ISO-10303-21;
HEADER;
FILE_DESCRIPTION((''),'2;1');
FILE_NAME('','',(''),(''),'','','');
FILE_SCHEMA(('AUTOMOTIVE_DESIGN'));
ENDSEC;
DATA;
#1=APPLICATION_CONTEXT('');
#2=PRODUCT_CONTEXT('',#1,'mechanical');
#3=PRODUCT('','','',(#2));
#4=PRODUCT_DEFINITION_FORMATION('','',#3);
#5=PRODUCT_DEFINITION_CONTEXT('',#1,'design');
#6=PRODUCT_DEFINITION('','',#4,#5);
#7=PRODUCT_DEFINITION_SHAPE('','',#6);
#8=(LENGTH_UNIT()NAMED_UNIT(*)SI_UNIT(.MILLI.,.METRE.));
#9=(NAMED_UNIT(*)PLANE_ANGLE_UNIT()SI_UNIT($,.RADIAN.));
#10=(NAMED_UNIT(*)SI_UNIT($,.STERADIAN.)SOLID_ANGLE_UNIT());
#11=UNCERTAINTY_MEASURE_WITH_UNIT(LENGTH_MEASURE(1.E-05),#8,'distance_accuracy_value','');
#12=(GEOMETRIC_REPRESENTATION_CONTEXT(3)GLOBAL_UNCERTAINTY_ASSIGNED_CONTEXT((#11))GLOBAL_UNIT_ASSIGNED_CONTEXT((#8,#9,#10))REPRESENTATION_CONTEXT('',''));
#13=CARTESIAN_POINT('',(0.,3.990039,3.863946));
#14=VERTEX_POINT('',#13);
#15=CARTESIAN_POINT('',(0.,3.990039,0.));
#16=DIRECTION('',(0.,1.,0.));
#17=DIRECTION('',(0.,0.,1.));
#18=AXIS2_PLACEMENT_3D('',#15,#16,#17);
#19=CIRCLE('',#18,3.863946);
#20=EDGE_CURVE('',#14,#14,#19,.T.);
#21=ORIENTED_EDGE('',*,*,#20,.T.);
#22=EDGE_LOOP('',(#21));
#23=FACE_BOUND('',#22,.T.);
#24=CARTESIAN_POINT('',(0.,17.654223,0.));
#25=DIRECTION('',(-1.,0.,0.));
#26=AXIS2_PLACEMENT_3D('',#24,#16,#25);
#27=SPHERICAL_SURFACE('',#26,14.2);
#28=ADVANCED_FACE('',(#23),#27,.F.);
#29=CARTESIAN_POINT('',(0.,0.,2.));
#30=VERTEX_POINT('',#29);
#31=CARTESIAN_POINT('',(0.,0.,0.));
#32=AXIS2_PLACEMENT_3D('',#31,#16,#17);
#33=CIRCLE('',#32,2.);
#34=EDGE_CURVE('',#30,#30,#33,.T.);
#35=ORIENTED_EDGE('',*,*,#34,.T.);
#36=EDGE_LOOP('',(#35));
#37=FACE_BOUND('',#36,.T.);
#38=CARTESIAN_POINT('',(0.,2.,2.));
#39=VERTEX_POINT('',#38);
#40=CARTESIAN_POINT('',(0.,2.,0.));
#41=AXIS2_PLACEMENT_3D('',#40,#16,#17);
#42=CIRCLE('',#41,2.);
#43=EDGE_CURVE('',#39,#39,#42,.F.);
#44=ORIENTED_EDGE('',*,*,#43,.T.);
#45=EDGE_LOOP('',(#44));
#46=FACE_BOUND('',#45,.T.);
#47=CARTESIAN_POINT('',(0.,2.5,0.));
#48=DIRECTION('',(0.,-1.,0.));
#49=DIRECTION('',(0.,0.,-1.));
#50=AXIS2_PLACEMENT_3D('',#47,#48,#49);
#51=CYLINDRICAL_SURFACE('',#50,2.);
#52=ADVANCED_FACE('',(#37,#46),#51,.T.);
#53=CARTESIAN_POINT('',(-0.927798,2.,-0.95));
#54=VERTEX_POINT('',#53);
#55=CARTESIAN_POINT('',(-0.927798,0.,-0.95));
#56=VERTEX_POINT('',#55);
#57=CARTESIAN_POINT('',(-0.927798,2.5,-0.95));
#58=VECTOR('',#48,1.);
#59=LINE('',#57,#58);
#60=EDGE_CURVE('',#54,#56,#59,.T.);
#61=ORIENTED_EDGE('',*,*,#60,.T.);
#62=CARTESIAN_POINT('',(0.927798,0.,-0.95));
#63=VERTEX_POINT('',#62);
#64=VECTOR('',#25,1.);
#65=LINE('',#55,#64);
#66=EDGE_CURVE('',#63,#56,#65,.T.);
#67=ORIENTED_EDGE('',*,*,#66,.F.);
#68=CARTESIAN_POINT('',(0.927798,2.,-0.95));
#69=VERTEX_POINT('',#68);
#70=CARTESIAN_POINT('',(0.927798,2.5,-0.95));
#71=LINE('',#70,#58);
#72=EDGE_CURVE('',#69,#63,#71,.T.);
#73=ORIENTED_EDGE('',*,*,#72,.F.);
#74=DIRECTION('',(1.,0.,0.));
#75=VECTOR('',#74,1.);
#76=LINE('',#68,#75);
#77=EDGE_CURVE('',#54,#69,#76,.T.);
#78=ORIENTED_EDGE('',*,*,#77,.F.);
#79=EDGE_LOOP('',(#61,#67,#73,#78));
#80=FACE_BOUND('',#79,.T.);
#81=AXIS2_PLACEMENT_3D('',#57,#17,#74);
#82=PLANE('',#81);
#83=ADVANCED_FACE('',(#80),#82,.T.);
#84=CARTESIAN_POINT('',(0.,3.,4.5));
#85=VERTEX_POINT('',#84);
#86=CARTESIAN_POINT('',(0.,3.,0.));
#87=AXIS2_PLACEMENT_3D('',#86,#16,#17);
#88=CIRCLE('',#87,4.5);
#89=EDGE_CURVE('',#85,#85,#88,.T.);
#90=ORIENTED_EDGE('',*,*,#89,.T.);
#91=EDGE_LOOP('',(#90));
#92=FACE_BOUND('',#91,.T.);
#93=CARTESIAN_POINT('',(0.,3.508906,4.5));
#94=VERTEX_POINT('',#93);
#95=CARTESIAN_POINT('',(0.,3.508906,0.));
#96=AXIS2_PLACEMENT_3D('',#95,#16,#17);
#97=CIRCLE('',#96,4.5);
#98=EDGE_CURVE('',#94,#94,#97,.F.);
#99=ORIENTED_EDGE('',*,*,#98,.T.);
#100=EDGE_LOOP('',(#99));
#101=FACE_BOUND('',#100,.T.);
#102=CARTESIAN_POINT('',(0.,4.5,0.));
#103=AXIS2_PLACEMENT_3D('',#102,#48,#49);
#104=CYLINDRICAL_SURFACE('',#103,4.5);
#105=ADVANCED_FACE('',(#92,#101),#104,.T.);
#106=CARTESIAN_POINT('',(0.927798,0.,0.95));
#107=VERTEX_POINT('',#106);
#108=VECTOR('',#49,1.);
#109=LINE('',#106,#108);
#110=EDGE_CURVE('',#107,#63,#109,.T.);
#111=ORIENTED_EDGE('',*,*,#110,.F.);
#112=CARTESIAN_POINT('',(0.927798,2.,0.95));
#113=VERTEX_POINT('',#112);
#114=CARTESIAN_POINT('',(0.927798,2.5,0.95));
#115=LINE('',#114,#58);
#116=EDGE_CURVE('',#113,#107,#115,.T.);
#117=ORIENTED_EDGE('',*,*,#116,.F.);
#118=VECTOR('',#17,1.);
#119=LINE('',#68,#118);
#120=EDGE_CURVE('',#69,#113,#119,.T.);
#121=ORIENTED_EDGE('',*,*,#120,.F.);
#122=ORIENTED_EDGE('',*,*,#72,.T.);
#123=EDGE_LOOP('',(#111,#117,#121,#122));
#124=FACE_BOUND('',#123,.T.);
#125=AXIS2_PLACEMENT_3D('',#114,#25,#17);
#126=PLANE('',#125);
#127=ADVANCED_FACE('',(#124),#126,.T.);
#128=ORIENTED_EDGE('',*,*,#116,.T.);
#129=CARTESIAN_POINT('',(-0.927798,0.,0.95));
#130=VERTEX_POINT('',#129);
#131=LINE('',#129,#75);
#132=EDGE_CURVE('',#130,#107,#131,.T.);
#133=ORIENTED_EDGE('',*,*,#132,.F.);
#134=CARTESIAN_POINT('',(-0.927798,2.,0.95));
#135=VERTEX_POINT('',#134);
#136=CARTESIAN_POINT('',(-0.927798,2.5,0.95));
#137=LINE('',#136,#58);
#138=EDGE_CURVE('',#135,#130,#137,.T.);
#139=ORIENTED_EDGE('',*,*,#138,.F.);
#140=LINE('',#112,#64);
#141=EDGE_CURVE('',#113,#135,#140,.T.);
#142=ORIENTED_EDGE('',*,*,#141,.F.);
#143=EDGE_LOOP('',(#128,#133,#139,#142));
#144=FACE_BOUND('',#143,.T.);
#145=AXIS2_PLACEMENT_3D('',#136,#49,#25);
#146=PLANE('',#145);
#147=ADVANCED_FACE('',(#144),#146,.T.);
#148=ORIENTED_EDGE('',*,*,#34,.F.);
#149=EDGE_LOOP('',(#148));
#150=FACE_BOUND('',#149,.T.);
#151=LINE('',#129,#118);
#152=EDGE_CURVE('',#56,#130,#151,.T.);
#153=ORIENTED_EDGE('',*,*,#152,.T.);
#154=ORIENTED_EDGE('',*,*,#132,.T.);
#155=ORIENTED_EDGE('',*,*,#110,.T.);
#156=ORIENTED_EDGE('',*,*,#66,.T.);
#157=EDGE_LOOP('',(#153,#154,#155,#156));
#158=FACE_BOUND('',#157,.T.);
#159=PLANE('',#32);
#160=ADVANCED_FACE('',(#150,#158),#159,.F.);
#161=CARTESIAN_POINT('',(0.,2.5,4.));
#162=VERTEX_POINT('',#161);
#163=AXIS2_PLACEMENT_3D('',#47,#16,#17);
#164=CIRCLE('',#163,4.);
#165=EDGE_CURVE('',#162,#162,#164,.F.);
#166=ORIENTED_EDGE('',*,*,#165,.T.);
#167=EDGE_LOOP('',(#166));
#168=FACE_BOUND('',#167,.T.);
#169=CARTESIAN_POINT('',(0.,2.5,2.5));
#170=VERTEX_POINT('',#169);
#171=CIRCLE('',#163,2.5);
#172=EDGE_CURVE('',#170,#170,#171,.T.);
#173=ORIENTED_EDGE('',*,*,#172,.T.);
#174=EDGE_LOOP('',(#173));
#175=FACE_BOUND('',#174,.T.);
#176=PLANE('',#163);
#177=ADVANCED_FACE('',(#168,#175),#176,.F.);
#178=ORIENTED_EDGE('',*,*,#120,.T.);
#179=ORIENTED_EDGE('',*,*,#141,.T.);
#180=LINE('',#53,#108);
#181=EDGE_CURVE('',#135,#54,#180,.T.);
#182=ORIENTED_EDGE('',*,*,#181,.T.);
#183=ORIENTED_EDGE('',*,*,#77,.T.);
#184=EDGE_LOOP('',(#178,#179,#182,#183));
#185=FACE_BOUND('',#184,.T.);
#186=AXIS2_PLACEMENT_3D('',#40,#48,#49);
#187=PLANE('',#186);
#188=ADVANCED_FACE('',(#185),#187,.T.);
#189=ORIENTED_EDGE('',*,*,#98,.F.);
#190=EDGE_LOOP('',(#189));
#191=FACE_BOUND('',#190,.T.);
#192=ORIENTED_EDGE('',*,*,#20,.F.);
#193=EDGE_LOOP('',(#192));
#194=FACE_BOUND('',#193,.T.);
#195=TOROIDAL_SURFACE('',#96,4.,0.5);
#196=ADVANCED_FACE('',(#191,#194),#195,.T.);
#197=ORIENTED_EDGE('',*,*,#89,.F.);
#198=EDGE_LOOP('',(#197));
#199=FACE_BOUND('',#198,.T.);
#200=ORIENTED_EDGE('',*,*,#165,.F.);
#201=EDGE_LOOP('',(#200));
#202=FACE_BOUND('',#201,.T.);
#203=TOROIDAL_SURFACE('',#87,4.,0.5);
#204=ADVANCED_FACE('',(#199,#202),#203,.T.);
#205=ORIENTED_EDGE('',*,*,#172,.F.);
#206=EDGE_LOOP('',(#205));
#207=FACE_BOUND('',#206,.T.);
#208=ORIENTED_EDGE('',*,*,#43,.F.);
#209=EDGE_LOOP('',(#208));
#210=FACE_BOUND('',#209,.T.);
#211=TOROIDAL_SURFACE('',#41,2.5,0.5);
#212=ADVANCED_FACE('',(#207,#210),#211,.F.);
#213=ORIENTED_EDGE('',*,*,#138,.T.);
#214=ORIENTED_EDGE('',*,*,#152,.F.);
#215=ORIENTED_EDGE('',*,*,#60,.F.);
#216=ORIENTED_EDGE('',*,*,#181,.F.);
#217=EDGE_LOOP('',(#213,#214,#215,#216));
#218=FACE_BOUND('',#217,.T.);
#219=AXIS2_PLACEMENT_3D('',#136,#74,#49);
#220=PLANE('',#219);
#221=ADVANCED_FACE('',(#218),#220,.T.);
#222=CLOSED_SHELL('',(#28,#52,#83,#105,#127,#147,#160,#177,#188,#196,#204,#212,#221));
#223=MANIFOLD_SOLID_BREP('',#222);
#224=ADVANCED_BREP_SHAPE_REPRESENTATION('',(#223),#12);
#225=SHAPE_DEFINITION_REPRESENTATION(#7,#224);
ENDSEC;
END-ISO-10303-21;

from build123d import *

# Parameters (mm, degrees)
SKETCH_1_R      = 2
SKETCH_1_W      = 1.855595784
SKETCH_1_H      = 1.9
EXTRUDE_1_DEPTH = 2.5
SKETCH_2_R      = 4.5
EXTRUDE_2_DEPTH = 2
FILLET_2_R      = 0.5
SKETCH_4_W      = 1.855595784
SKETCH_4_H      = 1.9
EXTRUDE_3_DEPTH = 0.5


with BuildPart() as part:
    # 草图1 → 凸台-拉伸1 (new body)
    with BuildSketch(Plane(origin=(0, 0, 0), x_dir=(1, 0, 0), z_dir=(0, 1, 0))):
        with Locations(Location((0, 0, 0), (0, 0, 270))):
            Circle(SKETCH_1_R)
        Rectangle(SKETCH_1_W, SKETCH_1_H, mode=Mode.SUBTRACT)
    extrude(amount=EXTRUDE_1_DEPTH)

    # 草图2 → 凸台-拉伸2 (add)
    with BuildSketch(Plane(origin=(0, 2.5, 0), x_dir=(1, 0, 0), z_dir=(0, 1, 0))):
        with Locations(Location((0, 0, 0), (0, 0, 270))):
            Circle(SKETCH_2_R)
    extrude(amount=EXTRUDE_2_DEPTH)

    # 草图3 → 切除-旋转6 (revolve, cut)
    with BuildSketch(Plane.XY, mode=Mode.PRIVATE) as cut_revolve_6_sk:
        with BuildLine():
            Line((-5.348495513, 4.5), (0, 4.5))
            Line((0, 4.5), (0, 3.454223495))
            ThreePointArc((0, 3.454223495), (-2.724887739, 3.718119778), (-5.348495513, 4.5))
        make_face()
    revolve(cut_revolve_6_sk.sketch.rotate(Axis((0, 4.5, 0), (0, -1, 0)), 270), axis=Axis((0, 4.5, 0), (0, -1, 0)), mode=Mode.SUBTRACT)

    # 圆角2
    fillet_2_edges = [part.edges().sort_by_distance(p)[0] for p in [
        (0, 2.5, -4.5),
        (0, 4.186113011, -4.5),
        (0, 2.5, -2),
    ]]
    fillet(fillet_2_edges, radius=FILLET_2_R)

    # 草图4 → 凸台-拉伸3 (add)
    with BuildSketch(Plane.XZ.offset(-2.5)):
        Rectangle(SKETCH_4_W, SKETCH_4_H)
    extrude(amount=EXTRUDE_3_DEPTH)


solid = part.part
